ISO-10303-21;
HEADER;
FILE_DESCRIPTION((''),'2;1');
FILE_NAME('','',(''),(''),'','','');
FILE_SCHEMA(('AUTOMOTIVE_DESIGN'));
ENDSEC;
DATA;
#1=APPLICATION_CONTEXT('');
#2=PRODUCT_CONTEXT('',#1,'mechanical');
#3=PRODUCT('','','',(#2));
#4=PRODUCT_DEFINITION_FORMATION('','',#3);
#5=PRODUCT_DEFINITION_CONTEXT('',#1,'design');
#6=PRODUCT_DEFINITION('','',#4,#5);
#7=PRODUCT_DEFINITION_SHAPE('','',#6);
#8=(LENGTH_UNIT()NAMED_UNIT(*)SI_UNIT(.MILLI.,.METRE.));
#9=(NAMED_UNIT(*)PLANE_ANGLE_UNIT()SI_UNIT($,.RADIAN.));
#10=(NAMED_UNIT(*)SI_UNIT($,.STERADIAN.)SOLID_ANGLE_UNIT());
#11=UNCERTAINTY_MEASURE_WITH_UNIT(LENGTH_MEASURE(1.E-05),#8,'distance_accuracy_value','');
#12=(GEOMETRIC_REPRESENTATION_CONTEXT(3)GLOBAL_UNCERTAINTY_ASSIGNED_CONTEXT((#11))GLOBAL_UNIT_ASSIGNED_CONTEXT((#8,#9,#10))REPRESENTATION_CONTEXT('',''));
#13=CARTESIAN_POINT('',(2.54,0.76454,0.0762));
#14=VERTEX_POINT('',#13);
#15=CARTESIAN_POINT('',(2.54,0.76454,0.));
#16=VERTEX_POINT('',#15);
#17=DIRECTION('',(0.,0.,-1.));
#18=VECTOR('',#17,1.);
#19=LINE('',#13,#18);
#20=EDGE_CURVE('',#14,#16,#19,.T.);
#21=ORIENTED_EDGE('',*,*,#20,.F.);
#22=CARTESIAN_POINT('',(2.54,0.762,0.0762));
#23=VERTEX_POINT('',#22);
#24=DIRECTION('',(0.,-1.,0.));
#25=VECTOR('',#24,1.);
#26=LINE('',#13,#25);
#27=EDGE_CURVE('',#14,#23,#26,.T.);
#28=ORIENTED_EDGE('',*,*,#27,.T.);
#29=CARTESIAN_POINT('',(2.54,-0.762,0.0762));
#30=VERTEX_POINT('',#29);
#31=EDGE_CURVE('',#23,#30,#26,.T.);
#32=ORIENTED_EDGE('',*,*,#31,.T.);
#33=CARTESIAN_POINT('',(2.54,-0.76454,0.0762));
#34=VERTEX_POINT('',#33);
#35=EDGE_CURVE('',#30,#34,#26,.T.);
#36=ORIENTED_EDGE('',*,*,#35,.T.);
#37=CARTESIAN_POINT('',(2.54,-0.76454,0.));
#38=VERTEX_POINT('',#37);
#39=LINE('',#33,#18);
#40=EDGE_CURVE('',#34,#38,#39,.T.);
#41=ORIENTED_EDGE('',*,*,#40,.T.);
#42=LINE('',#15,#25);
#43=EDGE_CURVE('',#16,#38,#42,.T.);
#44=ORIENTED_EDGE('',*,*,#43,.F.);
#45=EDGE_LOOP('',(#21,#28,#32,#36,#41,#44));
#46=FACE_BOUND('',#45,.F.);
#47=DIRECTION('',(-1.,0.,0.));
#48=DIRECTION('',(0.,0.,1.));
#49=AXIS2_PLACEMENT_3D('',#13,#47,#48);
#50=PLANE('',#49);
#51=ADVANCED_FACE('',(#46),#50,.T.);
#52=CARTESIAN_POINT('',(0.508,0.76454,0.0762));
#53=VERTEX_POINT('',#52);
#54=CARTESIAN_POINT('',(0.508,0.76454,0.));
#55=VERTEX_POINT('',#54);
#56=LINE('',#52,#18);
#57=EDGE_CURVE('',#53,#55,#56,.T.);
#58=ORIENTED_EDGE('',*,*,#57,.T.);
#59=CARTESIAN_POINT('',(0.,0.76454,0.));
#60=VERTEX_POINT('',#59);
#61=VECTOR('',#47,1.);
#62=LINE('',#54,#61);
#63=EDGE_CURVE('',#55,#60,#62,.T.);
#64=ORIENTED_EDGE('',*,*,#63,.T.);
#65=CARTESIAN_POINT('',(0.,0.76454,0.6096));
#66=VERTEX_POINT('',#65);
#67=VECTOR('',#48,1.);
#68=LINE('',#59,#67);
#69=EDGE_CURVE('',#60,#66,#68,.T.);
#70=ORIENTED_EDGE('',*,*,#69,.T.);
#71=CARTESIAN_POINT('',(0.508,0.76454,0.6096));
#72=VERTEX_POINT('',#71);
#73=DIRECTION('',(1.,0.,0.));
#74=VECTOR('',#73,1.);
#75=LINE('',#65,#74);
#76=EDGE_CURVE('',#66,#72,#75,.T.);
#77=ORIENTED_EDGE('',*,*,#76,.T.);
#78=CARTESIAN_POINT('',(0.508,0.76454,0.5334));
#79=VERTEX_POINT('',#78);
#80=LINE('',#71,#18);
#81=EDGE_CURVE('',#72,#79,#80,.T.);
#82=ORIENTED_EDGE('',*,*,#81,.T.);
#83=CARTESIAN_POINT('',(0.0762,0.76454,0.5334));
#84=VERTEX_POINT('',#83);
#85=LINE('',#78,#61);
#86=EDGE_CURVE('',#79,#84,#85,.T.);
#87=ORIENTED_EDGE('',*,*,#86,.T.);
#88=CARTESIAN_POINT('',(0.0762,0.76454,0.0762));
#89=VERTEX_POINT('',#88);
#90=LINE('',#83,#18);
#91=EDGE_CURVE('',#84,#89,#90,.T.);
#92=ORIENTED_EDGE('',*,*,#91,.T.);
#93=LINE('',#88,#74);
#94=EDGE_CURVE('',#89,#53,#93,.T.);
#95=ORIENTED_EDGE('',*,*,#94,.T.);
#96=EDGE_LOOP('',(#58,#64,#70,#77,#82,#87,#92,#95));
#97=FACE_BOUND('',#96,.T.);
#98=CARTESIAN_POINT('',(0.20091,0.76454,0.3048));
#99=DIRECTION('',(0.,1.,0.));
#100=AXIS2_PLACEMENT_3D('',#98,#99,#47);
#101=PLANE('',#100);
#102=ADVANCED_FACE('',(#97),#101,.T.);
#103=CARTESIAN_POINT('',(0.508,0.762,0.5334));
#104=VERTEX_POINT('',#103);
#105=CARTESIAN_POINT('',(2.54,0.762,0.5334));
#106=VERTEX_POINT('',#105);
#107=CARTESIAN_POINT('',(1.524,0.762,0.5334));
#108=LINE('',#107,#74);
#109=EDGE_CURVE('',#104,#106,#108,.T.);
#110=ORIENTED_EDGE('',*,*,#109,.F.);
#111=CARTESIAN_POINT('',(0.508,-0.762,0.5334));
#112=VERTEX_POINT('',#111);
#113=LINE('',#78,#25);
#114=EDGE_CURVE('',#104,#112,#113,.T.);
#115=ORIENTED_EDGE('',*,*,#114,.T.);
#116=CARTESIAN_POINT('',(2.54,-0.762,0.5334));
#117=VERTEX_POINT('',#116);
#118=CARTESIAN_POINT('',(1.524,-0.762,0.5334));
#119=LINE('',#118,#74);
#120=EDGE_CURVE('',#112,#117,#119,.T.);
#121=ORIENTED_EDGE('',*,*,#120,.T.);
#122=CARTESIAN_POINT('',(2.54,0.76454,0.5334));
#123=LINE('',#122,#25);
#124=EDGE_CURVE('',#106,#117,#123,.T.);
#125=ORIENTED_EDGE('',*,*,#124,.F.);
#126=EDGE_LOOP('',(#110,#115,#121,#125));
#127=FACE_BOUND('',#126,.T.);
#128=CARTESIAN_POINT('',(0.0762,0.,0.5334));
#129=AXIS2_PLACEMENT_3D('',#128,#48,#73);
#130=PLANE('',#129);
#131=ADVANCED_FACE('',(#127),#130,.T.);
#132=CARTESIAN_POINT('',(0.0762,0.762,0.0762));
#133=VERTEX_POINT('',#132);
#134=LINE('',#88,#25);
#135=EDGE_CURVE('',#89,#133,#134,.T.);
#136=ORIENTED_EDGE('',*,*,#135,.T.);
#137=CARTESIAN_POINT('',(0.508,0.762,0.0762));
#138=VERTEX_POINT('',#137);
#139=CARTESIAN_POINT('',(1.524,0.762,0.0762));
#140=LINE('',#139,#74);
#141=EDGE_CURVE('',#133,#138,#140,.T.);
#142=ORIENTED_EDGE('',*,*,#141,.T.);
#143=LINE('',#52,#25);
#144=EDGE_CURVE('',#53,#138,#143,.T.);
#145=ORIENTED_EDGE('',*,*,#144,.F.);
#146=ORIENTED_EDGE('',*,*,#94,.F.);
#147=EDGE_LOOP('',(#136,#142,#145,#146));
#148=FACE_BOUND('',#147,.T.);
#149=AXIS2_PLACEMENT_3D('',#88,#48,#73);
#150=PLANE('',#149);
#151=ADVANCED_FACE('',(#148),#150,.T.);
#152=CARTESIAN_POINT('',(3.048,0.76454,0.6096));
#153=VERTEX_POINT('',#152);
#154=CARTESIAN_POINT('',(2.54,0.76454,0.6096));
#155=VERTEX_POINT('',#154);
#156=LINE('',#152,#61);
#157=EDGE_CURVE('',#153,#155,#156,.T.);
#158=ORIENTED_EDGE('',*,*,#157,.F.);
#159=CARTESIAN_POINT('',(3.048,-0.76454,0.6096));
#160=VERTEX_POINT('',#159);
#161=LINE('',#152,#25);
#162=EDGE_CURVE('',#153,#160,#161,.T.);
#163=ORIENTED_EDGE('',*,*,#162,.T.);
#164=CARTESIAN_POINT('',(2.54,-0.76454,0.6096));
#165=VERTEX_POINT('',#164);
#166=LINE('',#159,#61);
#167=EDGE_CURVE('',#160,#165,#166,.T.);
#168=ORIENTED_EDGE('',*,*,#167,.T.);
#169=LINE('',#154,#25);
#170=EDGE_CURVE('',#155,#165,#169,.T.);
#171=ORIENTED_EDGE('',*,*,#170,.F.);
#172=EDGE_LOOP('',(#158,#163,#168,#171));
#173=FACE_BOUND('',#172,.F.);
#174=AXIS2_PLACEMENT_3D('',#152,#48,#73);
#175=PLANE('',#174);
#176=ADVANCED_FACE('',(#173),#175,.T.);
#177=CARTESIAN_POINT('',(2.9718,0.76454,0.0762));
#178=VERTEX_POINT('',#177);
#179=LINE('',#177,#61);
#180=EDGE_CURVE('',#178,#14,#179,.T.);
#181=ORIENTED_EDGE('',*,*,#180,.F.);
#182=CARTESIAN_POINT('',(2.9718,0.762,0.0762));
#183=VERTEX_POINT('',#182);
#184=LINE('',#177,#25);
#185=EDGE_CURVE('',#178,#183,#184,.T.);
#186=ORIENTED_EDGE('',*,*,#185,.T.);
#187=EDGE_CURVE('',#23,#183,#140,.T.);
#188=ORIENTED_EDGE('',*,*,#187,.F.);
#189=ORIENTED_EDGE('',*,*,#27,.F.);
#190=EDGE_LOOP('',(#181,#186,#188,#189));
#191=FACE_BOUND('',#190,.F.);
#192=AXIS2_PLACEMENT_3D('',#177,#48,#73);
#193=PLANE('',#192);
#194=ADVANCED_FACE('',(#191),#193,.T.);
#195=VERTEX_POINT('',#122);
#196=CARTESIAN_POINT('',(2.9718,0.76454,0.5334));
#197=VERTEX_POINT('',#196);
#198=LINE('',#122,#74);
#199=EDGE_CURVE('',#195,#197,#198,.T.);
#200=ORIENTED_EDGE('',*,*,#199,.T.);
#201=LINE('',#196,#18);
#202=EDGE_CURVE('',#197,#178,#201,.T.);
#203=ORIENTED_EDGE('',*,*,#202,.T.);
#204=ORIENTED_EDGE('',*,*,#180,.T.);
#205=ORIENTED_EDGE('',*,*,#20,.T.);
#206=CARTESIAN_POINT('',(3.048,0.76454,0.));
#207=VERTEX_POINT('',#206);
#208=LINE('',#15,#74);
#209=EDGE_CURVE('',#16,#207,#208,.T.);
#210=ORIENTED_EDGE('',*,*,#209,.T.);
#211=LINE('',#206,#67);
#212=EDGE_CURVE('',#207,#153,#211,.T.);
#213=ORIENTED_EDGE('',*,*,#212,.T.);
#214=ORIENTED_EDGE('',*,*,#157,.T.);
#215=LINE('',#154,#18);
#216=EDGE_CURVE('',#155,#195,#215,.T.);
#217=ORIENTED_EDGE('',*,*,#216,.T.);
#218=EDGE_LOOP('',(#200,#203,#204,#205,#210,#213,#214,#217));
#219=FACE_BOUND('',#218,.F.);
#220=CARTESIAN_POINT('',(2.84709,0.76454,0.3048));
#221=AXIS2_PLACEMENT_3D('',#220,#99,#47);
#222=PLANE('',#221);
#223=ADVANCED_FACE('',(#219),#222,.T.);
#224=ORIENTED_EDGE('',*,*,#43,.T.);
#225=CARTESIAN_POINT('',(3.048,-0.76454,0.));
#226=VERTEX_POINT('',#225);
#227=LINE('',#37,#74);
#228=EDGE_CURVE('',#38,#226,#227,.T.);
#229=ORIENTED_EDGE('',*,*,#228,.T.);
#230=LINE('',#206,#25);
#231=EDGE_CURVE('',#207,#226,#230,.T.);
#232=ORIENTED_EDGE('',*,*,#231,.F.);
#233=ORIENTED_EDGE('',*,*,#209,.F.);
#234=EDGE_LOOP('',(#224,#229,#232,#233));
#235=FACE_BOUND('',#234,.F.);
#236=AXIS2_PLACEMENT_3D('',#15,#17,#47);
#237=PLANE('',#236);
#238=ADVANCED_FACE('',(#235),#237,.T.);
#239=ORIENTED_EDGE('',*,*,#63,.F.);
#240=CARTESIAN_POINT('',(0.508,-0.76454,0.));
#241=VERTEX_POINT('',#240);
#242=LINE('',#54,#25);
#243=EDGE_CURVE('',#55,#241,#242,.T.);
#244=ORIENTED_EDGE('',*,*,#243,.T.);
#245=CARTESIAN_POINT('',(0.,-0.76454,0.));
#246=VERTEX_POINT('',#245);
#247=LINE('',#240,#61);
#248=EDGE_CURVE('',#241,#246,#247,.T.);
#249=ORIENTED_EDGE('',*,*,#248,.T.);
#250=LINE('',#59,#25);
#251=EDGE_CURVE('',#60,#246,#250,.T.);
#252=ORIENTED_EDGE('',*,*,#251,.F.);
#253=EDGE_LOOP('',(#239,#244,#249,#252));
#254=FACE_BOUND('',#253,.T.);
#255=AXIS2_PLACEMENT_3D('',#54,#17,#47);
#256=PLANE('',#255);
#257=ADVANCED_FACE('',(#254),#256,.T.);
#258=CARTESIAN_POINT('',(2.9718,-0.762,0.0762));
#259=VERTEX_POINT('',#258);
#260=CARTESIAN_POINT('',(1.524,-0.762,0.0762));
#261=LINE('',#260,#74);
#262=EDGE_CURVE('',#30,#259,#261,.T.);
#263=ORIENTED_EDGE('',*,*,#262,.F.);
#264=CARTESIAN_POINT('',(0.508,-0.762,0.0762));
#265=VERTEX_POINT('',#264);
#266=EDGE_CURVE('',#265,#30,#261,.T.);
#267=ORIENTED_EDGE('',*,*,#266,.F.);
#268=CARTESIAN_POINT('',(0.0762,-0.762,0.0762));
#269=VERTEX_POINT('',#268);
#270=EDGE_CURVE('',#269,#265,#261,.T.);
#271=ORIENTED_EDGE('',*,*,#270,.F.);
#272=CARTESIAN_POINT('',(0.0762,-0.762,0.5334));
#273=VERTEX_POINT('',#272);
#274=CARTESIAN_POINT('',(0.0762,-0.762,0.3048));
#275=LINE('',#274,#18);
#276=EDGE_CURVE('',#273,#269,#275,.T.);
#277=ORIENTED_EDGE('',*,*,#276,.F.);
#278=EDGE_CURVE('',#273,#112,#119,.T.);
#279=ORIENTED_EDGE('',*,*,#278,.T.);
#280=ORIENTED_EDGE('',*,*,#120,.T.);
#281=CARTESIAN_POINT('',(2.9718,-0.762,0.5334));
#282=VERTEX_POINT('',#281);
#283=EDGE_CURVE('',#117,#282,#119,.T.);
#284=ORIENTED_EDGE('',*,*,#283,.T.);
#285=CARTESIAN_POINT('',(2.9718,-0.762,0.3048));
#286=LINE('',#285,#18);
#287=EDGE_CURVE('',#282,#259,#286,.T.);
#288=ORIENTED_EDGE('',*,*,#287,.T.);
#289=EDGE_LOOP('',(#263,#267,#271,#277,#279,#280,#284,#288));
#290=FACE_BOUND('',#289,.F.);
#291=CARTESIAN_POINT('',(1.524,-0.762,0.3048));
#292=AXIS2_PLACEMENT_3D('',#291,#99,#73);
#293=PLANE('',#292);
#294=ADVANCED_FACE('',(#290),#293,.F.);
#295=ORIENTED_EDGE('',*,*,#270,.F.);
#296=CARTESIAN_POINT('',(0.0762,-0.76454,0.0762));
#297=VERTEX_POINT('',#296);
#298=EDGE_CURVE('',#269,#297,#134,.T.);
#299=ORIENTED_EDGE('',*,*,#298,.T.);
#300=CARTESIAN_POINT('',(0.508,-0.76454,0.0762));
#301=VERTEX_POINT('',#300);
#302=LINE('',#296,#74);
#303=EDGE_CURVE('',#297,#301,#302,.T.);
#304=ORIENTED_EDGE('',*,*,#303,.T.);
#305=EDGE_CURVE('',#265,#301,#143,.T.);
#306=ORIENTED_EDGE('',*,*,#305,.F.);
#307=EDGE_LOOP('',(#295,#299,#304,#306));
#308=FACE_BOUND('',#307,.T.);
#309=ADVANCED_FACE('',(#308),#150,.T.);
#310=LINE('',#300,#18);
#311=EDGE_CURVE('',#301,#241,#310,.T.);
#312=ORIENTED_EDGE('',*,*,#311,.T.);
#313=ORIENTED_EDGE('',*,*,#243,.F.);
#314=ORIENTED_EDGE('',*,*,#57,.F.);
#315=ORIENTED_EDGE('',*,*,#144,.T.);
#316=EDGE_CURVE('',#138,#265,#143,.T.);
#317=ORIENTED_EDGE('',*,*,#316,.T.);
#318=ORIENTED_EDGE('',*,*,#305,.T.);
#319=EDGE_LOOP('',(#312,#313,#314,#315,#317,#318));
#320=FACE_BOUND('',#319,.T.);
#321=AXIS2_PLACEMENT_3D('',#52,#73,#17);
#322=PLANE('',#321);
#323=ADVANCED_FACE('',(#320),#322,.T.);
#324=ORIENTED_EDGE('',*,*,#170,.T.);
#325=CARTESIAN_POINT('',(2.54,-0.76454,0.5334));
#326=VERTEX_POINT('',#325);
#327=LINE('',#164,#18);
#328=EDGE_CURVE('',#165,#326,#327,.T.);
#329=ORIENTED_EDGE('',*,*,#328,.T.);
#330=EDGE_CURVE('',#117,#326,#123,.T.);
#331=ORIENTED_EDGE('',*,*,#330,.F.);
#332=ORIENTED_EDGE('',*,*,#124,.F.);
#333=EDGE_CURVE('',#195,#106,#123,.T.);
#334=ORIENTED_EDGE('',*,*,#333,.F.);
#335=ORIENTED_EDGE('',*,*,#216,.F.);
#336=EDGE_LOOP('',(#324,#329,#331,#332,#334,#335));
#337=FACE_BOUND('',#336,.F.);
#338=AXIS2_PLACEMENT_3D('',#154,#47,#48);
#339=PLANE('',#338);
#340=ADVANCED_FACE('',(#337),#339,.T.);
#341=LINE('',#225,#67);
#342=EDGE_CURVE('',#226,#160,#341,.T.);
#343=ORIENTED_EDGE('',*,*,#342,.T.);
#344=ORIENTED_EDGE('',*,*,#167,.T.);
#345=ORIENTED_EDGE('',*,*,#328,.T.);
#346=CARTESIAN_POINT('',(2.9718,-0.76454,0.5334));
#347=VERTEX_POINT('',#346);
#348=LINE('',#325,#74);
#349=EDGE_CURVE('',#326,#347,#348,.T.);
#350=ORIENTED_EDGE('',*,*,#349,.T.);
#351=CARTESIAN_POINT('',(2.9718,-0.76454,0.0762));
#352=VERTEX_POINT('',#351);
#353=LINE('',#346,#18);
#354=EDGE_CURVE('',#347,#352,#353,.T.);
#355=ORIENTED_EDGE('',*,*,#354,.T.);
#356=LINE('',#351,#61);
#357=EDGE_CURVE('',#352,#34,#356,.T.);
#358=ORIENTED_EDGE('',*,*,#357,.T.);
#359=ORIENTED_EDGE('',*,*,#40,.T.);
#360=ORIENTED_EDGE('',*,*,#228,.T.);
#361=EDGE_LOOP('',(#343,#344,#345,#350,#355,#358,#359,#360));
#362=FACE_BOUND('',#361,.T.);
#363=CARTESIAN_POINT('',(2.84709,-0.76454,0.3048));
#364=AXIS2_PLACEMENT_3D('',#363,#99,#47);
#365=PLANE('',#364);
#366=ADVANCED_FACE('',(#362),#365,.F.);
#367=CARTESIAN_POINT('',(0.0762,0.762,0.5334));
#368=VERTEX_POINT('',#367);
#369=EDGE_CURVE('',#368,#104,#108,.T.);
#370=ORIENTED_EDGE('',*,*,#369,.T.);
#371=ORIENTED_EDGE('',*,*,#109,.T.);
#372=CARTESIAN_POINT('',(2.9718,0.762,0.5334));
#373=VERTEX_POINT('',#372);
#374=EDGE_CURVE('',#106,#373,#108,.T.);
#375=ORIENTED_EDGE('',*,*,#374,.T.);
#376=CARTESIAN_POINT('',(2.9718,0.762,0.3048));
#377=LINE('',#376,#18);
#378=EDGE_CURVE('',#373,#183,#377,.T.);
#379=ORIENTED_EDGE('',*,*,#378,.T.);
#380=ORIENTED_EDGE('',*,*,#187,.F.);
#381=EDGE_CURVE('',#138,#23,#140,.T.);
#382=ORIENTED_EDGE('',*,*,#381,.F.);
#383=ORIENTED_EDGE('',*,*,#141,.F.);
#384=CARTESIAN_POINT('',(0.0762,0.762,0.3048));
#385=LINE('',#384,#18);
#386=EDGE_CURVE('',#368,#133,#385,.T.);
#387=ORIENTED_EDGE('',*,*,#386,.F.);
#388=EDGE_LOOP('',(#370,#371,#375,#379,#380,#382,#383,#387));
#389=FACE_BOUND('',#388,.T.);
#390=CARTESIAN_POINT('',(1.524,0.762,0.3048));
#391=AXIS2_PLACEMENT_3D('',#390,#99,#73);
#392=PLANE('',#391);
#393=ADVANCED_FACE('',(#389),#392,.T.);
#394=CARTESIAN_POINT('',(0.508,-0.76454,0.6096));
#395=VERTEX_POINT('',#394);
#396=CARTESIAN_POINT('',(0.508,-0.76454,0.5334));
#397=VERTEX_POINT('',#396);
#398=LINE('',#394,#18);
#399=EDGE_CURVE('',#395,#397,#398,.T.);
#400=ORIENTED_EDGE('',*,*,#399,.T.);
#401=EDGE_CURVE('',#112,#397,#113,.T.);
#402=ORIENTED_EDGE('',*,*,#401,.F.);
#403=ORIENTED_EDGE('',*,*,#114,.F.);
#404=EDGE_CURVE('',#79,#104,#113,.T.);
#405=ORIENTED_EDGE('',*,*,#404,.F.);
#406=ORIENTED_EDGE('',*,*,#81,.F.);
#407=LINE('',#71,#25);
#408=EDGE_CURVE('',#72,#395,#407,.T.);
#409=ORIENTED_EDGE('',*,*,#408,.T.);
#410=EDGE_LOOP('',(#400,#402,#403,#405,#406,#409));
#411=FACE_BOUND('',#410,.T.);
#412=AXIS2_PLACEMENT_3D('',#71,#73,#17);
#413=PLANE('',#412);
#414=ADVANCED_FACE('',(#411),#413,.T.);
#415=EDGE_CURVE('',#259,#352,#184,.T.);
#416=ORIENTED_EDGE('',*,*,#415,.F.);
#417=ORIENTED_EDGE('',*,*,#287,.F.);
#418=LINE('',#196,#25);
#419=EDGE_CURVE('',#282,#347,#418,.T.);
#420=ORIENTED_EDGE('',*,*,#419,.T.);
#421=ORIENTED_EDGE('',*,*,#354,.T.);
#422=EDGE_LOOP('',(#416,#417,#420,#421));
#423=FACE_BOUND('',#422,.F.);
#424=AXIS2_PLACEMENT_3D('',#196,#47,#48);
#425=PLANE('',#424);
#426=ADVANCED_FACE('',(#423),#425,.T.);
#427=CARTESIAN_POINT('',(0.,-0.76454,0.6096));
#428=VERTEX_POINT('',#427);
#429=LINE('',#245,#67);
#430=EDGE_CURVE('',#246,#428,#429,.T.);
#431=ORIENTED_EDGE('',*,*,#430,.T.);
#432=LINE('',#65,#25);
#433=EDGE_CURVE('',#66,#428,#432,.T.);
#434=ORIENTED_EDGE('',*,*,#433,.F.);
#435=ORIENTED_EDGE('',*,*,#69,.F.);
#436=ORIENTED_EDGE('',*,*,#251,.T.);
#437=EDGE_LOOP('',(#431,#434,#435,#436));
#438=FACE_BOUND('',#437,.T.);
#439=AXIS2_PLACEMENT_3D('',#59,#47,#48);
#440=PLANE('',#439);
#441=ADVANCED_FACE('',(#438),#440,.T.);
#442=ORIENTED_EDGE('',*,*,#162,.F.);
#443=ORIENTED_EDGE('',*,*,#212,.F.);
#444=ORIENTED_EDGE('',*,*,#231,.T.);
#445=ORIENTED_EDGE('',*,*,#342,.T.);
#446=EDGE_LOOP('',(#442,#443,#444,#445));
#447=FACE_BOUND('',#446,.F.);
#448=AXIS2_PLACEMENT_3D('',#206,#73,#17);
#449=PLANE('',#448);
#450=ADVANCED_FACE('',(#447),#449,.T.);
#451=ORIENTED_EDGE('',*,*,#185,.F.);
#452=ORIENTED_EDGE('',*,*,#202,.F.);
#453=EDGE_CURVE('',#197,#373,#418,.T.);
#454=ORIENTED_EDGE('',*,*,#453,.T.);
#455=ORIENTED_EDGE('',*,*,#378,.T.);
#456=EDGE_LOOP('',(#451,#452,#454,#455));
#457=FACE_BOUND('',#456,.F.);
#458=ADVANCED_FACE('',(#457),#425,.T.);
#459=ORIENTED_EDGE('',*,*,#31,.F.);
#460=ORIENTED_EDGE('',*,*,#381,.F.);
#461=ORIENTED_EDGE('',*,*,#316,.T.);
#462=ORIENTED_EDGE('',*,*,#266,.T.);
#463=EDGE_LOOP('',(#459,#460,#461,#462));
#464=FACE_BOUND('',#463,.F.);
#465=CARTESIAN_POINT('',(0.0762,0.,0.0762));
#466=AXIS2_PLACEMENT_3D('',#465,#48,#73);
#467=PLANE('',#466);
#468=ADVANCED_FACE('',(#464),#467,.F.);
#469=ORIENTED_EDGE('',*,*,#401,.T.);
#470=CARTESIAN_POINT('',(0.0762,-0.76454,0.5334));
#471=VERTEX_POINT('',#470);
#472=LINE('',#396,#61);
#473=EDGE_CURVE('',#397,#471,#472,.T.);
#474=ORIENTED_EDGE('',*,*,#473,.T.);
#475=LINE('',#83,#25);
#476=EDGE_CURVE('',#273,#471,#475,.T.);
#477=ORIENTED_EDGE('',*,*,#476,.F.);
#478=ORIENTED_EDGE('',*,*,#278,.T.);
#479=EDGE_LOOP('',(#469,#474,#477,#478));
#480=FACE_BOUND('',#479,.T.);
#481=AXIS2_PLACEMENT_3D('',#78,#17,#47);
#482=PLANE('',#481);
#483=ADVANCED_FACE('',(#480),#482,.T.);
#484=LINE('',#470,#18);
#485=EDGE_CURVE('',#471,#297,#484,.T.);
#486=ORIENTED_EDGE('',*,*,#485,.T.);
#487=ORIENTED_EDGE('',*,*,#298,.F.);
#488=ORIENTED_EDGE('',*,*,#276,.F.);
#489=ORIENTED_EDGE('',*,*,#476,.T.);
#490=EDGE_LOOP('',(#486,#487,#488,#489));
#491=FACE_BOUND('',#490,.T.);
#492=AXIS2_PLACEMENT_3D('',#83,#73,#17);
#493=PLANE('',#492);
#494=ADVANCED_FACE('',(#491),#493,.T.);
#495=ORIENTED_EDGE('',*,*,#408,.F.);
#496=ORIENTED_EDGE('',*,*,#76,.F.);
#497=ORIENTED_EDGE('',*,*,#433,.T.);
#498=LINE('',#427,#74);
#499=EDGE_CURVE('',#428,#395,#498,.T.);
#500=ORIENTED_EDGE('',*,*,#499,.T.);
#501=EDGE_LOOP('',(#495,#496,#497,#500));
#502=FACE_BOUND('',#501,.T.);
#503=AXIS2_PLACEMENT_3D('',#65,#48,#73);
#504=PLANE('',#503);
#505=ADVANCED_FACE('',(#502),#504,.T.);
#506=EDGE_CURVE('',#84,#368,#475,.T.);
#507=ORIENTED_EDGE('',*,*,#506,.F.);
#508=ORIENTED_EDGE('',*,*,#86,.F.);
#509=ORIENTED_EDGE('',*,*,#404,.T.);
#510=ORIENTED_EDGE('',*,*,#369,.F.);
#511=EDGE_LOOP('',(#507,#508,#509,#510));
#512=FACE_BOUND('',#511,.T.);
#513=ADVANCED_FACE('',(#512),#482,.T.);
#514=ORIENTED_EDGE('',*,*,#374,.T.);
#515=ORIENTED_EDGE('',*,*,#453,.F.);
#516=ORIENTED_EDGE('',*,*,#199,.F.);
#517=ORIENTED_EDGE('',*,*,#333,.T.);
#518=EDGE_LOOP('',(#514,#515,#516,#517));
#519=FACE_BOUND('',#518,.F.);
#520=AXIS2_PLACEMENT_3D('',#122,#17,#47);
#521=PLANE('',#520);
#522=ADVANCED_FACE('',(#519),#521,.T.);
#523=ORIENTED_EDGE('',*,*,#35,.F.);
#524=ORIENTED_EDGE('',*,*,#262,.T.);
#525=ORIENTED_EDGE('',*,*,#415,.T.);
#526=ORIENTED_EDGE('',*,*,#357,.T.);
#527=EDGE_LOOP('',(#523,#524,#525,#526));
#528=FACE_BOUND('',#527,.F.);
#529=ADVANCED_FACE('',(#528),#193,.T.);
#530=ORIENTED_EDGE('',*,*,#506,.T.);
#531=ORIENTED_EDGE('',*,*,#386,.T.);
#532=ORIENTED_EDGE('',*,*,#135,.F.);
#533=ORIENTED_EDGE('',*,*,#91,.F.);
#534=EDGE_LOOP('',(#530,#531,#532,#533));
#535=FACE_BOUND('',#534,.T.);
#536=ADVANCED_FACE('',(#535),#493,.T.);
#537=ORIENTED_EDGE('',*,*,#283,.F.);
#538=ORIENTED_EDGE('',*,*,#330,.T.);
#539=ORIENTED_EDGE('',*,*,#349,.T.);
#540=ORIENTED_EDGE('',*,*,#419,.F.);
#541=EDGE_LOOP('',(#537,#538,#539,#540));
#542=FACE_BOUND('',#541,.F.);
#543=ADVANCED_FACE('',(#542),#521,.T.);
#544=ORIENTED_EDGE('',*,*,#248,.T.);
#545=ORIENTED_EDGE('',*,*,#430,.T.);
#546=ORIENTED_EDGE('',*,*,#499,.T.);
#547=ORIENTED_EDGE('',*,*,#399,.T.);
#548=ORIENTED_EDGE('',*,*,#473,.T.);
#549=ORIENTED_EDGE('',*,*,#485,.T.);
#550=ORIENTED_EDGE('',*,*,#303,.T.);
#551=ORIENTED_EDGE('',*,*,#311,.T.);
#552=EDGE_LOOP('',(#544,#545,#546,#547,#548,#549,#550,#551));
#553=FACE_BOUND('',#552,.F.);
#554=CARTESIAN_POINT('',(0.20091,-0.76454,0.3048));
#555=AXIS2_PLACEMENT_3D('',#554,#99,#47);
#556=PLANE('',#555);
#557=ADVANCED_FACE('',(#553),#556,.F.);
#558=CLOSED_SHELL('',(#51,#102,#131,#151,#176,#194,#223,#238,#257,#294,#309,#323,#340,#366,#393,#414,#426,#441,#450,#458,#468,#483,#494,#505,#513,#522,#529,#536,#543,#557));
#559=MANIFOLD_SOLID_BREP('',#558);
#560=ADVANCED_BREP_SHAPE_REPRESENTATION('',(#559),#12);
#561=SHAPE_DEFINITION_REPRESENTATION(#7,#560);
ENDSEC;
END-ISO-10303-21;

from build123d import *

# Parameters (mm, degrees)
SKETCH2_W           = 2.8956
SKETCH2_H           = 0.4572
BASE_EXTRUDE_DEPTH  = 0.762
BOSS_EXTRUDE8_DEPTH = 1.52908


with BuildPart() as part:
    # Sketch2 → Base-Extrude (new body, symmetric)
    with BuildSketch(Plane(origin=(0, 0, 0), x_dir=(1, 0, 0), z_dir=(0, 1, 0))):
        with Locations((1.524, -0.3048)):
            Rectangle(SKETCH2_W, SKETCH2_H)
    extrude(amount=BASE_EXTRUDE_DEPTH, both=True)

    # Sketch3 → Boss-Extrude8 (add)
    with BuildSketch(Plane(origin=(0, 0.76454, 0), x_dir=(-1, 0, 0), z_dir=(0, 1, 0))):
        Polygon((-0.508, 0.6096), (-0.508, 0.5334), (-0.0762, 0.5334), (-0.0762, 0.0762), (-0.508, 0.0762), (-0.508, 0), (0, 0), (0, 0.6096), align=None)
    boss_extrude8 = extrude(amount=-BOSS_EXTRUDE8_DEPTH)

    # Mirror5: Boss-Extrude8 across plane
    add(boss_extrude8.mirror(Plane(origin=(1.524, 0, 0), x_dir=(0, 0, 1), z_dir=(1, 0, 0))))


solid = part.part
